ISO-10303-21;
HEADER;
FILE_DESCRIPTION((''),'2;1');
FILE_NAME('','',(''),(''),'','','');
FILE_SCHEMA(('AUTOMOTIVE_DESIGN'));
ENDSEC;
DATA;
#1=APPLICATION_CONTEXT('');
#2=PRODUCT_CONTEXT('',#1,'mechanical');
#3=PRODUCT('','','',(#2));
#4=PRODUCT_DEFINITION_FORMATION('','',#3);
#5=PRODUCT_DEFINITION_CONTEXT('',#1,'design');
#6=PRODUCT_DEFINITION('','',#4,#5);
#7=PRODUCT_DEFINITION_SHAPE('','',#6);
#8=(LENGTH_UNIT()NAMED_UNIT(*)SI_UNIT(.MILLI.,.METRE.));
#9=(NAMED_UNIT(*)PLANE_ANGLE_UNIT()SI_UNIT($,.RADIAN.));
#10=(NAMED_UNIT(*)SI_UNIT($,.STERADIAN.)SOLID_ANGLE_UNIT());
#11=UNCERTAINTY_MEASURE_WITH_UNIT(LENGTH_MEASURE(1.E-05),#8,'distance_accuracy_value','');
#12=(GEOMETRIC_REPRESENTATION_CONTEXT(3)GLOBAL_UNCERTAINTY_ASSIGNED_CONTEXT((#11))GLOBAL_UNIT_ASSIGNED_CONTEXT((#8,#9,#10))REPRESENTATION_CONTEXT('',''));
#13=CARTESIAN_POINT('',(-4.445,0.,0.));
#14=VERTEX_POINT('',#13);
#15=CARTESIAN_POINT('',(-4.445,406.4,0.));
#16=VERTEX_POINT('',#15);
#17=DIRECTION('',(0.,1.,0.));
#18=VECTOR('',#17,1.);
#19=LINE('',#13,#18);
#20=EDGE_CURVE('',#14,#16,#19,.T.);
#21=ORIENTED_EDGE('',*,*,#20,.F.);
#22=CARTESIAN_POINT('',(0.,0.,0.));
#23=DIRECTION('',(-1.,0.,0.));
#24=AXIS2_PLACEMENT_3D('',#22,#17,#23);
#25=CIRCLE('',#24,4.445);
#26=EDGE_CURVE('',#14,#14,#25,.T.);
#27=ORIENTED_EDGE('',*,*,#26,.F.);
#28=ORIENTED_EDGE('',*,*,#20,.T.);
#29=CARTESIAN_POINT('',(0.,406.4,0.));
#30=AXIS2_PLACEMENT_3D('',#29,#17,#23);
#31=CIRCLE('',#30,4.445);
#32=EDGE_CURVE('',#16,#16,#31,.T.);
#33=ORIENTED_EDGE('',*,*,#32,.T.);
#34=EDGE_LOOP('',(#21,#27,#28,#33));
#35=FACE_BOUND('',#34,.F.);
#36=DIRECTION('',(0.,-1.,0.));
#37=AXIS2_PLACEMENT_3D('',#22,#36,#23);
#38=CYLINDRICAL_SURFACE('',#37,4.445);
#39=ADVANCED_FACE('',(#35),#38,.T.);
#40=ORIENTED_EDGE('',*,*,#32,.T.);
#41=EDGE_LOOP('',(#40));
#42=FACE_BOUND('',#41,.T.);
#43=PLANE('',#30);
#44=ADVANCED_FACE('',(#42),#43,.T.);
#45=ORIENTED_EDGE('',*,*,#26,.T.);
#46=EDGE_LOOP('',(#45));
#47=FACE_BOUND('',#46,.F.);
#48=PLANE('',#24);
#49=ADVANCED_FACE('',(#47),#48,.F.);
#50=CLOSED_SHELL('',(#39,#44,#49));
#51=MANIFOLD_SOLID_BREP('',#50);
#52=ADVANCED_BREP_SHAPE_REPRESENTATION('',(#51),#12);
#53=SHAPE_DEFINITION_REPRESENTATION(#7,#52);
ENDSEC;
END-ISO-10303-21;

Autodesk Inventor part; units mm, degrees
ref_plane "YZ Plane" through (0, 0, 0) normal (1, 0, 0) x (0, 1, 0)
ref_plane "XZ Plane" through (0, 0, 0) normal (0, 1, 0) x (-1, 0, 0)
ref_plane "XY Plane" through (0, 0, 0) normal (0, 0, 1) x (1, 0, 0)
sketch "Sketch1" plane through (0, 0, 0) normal (0, 1, 0) x (-1, 0, 0)
  circle A0 centre (0, 0) radius 4.445
  dimension "d0" = 8.89
extrude "Extrusion1" add sketch "Sketch1" along normal blind 406.4
thread "Thread1" size "1 7/16-6 UN" class "2A" standard "ANSI Unified Screw Threads" full length
